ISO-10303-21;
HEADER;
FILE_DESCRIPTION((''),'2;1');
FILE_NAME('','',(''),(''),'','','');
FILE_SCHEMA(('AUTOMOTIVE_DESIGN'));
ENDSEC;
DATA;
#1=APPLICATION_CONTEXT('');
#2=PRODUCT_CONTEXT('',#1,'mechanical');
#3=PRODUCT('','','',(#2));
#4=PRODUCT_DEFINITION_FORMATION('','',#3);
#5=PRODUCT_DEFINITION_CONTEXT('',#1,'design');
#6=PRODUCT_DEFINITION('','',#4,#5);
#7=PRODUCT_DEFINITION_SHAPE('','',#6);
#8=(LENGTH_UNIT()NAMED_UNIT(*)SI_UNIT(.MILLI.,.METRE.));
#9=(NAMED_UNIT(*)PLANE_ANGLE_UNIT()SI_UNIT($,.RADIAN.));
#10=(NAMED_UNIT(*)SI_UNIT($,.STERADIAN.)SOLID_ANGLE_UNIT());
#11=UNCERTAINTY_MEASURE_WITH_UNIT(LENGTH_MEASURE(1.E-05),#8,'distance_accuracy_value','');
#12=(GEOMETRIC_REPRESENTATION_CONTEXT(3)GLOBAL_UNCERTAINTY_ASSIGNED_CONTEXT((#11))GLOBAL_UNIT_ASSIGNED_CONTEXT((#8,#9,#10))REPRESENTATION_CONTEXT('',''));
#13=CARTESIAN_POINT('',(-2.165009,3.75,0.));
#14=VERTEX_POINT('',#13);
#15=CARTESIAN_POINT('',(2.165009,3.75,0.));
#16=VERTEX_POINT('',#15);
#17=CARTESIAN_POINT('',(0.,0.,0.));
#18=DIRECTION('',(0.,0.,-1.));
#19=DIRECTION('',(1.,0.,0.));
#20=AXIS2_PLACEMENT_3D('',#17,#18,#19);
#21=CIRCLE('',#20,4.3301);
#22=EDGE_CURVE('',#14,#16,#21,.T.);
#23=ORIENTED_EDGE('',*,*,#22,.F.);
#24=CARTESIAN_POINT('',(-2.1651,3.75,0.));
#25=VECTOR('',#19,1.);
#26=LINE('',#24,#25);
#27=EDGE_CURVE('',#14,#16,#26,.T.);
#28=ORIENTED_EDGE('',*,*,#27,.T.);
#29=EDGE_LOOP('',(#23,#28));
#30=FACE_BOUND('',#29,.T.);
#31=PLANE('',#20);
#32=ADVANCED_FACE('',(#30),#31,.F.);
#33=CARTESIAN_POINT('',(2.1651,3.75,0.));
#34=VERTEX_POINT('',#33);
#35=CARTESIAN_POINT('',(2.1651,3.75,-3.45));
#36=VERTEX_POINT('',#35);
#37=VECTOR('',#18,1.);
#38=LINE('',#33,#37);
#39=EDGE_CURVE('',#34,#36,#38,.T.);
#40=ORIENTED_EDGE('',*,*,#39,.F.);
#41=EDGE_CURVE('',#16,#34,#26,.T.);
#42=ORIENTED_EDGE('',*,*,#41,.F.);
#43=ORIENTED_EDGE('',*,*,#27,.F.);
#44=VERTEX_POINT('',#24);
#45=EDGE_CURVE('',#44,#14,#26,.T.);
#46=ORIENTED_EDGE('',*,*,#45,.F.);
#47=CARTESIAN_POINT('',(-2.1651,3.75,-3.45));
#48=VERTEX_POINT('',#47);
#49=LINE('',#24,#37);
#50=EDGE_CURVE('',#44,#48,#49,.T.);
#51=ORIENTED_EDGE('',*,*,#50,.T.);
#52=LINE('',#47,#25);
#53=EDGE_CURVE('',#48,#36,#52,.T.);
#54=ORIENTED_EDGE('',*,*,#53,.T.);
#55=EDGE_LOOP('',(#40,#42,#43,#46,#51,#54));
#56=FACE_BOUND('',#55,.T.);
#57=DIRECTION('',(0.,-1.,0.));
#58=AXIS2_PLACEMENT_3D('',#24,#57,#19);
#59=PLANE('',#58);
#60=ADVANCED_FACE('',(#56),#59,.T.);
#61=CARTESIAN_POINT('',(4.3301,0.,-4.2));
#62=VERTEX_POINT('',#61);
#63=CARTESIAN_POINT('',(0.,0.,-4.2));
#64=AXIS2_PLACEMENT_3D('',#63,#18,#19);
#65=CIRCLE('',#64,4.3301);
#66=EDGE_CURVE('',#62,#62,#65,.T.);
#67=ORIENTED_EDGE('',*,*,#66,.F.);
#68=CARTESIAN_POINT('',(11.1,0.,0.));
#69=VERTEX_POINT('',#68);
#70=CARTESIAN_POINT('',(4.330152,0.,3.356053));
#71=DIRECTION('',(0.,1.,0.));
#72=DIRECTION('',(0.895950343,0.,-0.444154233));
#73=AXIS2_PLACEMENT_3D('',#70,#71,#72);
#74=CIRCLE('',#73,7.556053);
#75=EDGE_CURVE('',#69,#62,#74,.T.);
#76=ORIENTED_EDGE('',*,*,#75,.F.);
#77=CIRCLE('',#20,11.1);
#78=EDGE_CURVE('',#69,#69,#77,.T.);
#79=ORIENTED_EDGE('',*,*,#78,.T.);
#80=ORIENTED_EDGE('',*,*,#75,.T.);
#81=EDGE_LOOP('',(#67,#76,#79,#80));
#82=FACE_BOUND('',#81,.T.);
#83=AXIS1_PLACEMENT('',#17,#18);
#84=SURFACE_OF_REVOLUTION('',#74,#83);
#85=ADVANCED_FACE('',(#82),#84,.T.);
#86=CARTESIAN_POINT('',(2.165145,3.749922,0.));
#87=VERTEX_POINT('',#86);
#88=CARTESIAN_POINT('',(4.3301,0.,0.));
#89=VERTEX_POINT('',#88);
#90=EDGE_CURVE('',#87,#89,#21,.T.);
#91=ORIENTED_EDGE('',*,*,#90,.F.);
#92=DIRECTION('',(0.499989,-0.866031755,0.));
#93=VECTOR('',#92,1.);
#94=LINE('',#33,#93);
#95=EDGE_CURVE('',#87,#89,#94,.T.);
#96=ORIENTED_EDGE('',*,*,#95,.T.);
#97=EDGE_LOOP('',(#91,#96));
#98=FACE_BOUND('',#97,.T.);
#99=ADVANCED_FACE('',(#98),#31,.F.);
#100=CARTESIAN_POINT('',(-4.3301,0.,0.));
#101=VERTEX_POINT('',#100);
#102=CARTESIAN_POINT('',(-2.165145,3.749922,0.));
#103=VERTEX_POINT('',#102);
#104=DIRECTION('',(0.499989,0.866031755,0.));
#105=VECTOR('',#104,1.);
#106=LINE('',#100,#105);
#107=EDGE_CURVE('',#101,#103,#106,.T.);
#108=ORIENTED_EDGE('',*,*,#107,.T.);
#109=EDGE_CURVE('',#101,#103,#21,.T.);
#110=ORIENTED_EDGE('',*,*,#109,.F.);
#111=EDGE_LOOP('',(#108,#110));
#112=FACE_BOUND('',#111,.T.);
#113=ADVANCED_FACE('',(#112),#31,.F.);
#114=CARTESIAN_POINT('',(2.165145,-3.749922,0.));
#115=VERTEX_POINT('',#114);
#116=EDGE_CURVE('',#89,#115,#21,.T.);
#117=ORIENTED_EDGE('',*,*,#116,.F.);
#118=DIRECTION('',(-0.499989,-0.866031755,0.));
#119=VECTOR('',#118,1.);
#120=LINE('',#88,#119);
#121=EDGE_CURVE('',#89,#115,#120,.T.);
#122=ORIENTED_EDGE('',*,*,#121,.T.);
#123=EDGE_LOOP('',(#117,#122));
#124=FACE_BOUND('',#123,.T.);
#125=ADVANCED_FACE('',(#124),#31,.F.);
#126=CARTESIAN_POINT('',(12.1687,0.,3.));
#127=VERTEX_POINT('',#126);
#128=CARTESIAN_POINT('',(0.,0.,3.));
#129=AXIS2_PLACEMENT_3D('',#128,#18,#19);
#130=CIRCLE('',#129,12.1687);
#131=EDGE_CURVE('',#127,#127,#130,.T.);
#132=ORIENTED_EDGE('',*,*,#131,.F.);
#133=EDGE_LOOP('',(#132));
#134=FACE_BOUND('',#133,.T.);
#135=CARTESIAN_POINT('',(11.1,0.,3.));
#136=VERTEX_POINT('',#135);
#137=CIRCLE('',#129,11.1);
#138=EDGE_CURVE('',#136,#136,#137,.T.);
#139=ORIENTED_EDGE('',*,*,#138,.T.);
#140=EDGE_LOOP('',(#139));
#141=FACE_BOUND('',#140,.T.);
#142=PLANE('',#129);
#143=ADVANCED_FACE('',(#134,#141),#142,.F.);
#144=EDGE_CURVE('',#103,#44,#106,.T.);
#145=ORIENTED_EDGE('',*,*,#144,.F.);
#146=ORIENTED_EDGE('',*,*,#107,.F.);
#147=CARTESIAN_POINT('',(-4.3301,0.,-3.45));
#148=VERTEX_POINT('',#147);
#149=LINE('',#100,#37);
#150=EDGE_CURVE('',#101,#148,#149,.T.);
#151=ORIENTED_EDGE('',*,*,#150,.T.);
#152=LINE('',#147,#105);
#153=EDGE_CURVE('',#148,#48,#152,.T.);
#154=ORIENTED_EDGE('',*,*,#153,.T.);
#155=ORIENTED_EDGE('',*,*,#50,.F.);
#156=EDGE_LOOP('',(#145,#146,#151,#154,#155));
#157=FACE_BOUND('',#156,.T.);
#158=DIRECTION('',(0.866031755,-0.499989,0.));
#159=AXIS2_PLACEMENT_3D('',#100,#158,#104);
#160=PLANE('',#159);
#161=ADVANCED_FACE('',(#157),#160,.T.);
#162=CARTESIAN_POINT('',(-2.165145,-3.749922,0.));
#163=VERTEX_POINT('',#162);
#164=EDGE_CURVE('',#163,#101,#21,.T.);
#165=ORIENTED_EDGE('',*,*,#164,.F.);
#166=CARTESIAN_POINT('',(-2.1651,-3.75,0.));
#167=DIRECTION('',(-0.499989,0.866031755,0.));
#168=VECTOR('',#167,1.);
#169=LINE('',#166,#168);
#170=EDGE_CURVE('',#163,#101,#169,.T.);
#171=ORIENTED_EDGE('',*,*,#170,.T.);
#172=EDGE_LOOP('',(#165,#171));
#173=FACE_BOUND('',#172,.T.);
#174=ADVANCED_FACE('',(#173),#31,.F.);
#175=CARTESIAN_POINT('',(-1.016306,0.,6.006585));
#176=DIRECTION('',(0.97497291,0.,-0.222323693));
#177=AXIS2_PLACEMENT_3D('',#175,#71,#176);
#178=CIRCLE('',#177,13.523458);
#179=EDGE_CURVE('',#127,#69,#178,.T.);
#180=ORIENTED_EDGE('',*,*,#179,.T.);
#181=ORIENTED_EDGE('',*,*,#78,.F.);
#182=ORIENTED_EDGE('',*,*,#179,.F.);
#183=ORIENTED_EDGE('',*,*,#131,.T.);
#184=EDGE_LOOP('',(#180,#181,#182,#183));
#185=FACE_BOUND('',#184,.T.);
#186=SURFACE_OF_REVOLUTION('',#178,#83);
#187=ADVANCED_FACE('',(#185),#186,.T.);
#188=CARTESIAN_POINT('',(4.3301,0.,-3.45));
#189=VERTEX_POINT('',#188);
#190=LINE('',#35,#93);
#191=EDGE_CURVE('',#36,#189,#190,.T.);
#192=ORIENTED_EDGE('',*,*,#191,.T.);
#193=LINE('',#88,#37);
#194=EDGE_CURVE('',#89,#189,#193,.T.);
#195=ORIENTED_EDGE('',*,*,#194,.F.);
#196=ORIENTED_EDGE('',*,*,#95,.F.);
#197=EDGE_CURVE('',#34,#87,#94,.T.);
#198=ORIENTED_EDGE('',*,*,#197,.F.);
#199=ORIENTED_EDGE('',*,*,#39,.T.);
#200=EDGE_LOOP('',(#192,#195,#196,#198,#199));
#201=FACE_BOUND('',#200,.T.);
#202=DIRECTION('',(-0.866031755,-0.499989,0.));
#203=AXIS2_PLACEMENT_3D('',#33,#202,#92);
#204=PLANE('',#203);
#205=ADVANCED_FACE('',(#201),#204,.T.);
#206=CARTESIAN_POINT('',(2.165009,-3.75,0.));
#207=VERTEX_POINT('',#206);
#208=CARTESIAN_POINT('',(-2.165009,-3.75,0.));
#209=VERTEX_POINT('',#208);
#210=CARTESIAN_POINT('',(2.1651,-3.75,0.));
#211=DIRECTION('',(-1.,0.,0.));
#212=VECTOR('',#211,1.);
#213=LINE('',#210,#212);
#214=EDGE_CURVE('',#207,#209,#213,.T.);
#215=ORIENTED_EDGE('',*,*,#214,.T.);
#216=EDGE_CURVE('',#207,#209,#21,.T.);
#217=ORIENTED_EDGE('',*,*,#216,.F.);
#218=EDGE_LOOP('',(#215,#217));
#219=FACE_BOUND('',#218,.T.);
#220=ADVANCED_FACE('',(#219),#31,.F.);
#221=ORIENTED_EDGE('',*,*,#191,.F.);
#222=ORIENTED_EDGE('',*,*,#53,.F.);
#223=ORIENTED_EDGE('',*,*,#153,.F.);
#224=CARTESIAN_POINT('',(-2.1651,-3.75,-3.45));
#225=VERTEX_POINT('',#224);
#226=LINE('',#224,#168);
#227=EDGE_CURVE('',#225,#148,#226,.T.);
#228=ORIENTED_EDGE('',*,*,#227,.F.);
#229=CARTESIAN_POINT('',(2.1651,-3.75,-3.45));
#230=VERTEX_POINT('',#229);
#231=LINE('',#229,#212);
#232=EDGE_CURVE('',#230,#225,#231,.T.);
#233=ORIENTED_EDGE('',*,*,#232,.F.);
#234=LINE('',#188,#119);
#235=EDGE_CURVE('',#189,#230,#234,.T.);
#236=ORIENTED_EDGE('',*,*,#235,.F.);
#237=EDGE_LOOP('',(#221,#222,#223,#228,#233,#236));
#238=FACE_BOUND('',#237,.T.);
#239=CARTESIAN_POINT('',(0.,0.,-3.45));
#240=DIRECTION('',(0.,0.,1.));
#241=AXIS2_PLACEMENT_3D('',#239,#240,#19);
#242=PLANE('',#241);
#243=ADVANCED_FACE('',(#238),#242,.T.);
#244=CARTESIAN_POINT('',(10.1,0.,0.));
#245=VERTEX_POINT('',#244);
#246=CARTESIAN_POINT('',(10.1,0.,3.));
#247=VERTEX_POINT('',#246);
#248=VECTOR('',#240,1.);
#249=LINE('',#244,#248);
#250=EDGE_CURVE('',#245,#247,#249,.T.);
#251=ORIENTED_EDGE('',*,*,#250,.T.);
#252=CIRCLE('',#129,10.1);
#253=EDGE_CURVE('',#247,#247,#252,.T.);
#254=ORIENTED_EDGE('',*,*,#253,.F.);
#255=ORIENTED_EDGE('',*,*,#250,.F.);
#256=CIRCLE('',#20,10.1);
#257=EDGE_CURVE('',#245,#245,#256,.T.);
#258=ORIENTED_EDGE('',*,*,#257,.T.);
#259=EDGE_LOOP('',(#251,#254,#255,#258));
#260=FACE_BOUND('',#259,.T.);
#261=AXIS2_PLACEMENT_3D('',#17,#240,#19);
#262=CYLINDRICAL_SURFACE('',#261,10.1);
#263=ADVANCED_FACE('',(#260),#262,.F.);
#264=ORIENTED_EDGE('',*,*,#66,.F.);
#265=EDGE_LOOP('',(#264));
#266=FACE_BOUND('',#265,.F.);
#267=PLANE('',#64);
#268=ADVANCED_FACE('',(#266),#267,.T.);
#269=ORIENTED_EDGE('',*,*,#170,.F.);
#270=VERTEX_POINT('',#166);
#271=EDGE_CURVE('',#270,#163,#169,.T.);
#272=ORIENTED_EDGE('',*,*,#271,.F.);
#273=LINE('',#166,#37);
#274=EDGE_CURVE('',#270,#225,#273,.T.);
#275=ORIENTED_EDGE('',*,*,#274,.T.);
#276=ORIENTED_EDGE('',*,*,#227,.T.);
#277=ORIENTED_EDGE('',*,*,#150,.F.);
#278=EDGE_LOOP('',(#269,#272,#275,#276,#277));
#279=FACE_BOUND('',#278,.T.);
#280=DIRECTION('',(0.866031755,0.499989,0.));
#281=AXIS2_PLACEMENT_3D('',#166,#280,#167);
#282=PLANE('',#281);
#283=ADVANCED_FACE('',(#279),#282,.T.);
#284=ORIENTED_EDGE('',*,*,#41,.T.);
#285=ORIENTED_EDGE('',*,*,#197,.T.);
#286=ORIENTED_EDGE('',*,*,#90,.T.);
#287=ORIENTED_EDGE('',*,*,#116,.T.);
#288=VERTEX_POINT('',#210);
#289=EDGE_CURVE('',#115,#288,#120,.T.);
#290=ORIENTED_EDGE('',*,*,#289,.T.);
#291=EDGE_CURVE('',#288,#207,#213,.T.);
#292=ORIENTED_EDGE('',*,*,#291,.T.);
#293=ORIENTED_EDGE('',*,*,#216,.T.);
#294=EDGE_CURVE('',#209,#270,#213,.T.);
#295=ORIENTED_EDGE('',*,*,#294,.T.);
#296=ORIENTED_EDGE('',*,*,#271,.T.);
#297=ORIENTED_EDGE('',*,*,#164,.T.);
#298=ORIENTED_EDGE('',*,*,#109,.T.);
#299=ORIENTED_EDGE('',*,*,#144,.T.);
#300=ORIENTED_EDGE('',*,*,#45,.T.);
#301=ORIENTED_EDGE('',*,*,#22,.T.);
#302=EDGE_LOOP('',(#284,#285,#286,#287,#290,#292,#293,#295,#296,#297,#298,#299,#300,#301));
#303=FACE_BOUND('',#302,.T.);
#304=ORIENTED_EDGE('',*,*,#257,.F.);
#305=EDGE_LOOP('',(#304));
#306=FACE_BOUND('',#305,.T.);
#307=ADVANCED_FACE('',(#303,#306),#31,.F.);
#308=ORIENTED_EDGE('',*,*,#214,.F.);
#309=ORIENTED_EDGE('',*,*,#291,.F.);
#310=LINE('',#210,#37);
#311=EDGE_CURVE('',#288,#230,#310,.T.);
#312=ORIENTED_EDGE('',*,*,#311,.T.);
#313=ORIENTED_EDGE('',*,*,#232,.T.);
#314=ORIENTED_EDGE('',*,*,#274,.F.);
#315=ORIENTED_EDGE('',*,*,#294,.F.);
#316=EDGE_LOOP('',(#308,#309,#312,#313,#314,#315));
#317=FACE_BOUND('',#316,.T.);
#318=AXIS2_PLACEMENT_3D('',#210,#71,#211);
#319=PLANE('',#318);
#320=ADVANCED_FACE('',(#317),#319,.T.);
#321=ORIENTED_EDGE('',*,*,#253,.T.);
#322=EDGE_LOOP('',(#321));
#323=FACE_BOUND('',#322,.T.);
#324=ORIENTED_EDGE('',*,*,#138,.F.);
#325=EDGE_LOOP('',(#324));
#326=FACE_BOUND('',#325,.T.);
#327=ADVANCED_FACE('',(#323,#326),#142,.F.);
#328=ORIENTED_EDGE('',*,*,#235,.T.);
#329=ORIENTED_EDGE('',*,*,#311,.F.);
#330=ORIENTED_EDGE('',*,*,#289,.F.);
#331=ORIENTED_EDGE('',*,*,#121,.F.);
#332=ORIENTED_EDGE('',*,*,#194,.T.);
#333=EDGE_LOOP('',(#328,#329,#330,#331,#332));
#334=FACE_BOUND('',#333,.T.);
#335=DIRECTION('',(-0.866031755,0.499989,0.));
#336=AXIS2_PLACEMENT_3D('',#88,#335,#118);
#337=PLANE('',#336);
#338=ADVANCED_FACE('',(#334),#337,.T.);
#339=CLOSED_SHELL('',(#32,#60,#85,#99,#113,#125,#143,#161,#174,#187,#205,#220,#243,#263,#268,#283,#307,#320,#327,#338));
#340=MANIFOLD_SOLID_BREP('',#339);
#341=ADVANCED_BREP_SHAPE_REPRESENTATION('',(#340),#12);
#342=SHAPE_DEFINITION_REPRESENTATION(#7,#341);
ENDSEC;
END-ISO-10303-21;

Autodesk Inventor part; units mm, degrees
ref_plane "YZ Plane" through (0, 0, 0) normal (1, 0, 0) x (0, 1, 0)
ref_plane "XZ Plane" through (0, 0, 0) normal (0, 1, 0) x (-1, 0, 0)
ref_plane "XY Plane" through (0, 0, 0) normal (0, 0, 1) x (1, 0, 0)
sketch "Sketch1" plane through (0, 0, 0) normal (0, 0, 1) x (1, 0, 0)
  line L0 (0, 0) -> (26.2535, 0) construction
  line L1 (4.3301, 0) -> (2.1651, -3.75)
  line L2 (2.1651, -3.75) -> (-2.1651, -3.75)
  line L3 (-2.1651, -3.75) -> (-4.3301, 0)
  line L4 (-4.3301, 0) -> (-2.1651, 3.75)
  line L5 (-2.1651, 3.75) -> (2.1651, 3.75)
  line L6 (2.1651, 3.75) -> (4.3301, 0)
  circle A0 centre (0, 0) radius 10.1
  circle A1 centre (0, 0) radius 11.1
  dimension "d0" = 7.5
  dimension "d1" = 20.2
  dimension "d2" = 22.2
sketch "Sketch3" plane through (0, 0, 0) normal (0, 1, 0) x (-1, 0, 0)
  line L0 (0, 0) -> (0, -4.2)
  line L1 (11.1, 0) -> (-11.1, 0) projected
  line L2 (0, 0) -> (-26.2535, 0) construction
  line L3 (-11.1, 0) -> (0, 0)
  line L4 (-11.1, 0) -> (-11.1, 3)
  line L5 (0, -4.2) -> (-4.3301, -4.2)
  line L6 (-4.3301, 0) -> (-2.1651, 0) projected
  line L7 (-2.1651, 0) -> (-4.3301, 0) projected
  line L8 (-4.3301, -4.2) -> (-4.3301, 0) construction
  line L9 (-11.1, 3) -> (-12.1687, 3)
  arc A0 (-11.1, 0) -> (-4.3301, -4.2) centre (-4.3301, 3.3561) ccw
  arc A1 (-12.1687, 3) -> (-11.1, 0) centre (1.0167, 6.0067) ccw
  line L10 (10.1, 0) -> (-10.1, 0) projected
  line L11 (-11.1, 0) -> (-10.1, 0)
  line L12 (-10.1, 0) -> (-10.1, 3)
  line L13 (-10.1, 3) -> (-11.1, 3)
  line L14 (-11.1, 3) -> (-11.1, 0)
  dimension "d3" = 4.2
  dimension "d4" = 3
revolve "Revolution1" add sketch "Sketch3" angle 360 about axis through (0, 0, 0) along (0, 0, -1)
extrude "Extrusion1" cut sketch "Sketch1" against normal blind 3.45 contours L1 L2 L3 L4 L5 L6
properties part number "nut_cover1"
